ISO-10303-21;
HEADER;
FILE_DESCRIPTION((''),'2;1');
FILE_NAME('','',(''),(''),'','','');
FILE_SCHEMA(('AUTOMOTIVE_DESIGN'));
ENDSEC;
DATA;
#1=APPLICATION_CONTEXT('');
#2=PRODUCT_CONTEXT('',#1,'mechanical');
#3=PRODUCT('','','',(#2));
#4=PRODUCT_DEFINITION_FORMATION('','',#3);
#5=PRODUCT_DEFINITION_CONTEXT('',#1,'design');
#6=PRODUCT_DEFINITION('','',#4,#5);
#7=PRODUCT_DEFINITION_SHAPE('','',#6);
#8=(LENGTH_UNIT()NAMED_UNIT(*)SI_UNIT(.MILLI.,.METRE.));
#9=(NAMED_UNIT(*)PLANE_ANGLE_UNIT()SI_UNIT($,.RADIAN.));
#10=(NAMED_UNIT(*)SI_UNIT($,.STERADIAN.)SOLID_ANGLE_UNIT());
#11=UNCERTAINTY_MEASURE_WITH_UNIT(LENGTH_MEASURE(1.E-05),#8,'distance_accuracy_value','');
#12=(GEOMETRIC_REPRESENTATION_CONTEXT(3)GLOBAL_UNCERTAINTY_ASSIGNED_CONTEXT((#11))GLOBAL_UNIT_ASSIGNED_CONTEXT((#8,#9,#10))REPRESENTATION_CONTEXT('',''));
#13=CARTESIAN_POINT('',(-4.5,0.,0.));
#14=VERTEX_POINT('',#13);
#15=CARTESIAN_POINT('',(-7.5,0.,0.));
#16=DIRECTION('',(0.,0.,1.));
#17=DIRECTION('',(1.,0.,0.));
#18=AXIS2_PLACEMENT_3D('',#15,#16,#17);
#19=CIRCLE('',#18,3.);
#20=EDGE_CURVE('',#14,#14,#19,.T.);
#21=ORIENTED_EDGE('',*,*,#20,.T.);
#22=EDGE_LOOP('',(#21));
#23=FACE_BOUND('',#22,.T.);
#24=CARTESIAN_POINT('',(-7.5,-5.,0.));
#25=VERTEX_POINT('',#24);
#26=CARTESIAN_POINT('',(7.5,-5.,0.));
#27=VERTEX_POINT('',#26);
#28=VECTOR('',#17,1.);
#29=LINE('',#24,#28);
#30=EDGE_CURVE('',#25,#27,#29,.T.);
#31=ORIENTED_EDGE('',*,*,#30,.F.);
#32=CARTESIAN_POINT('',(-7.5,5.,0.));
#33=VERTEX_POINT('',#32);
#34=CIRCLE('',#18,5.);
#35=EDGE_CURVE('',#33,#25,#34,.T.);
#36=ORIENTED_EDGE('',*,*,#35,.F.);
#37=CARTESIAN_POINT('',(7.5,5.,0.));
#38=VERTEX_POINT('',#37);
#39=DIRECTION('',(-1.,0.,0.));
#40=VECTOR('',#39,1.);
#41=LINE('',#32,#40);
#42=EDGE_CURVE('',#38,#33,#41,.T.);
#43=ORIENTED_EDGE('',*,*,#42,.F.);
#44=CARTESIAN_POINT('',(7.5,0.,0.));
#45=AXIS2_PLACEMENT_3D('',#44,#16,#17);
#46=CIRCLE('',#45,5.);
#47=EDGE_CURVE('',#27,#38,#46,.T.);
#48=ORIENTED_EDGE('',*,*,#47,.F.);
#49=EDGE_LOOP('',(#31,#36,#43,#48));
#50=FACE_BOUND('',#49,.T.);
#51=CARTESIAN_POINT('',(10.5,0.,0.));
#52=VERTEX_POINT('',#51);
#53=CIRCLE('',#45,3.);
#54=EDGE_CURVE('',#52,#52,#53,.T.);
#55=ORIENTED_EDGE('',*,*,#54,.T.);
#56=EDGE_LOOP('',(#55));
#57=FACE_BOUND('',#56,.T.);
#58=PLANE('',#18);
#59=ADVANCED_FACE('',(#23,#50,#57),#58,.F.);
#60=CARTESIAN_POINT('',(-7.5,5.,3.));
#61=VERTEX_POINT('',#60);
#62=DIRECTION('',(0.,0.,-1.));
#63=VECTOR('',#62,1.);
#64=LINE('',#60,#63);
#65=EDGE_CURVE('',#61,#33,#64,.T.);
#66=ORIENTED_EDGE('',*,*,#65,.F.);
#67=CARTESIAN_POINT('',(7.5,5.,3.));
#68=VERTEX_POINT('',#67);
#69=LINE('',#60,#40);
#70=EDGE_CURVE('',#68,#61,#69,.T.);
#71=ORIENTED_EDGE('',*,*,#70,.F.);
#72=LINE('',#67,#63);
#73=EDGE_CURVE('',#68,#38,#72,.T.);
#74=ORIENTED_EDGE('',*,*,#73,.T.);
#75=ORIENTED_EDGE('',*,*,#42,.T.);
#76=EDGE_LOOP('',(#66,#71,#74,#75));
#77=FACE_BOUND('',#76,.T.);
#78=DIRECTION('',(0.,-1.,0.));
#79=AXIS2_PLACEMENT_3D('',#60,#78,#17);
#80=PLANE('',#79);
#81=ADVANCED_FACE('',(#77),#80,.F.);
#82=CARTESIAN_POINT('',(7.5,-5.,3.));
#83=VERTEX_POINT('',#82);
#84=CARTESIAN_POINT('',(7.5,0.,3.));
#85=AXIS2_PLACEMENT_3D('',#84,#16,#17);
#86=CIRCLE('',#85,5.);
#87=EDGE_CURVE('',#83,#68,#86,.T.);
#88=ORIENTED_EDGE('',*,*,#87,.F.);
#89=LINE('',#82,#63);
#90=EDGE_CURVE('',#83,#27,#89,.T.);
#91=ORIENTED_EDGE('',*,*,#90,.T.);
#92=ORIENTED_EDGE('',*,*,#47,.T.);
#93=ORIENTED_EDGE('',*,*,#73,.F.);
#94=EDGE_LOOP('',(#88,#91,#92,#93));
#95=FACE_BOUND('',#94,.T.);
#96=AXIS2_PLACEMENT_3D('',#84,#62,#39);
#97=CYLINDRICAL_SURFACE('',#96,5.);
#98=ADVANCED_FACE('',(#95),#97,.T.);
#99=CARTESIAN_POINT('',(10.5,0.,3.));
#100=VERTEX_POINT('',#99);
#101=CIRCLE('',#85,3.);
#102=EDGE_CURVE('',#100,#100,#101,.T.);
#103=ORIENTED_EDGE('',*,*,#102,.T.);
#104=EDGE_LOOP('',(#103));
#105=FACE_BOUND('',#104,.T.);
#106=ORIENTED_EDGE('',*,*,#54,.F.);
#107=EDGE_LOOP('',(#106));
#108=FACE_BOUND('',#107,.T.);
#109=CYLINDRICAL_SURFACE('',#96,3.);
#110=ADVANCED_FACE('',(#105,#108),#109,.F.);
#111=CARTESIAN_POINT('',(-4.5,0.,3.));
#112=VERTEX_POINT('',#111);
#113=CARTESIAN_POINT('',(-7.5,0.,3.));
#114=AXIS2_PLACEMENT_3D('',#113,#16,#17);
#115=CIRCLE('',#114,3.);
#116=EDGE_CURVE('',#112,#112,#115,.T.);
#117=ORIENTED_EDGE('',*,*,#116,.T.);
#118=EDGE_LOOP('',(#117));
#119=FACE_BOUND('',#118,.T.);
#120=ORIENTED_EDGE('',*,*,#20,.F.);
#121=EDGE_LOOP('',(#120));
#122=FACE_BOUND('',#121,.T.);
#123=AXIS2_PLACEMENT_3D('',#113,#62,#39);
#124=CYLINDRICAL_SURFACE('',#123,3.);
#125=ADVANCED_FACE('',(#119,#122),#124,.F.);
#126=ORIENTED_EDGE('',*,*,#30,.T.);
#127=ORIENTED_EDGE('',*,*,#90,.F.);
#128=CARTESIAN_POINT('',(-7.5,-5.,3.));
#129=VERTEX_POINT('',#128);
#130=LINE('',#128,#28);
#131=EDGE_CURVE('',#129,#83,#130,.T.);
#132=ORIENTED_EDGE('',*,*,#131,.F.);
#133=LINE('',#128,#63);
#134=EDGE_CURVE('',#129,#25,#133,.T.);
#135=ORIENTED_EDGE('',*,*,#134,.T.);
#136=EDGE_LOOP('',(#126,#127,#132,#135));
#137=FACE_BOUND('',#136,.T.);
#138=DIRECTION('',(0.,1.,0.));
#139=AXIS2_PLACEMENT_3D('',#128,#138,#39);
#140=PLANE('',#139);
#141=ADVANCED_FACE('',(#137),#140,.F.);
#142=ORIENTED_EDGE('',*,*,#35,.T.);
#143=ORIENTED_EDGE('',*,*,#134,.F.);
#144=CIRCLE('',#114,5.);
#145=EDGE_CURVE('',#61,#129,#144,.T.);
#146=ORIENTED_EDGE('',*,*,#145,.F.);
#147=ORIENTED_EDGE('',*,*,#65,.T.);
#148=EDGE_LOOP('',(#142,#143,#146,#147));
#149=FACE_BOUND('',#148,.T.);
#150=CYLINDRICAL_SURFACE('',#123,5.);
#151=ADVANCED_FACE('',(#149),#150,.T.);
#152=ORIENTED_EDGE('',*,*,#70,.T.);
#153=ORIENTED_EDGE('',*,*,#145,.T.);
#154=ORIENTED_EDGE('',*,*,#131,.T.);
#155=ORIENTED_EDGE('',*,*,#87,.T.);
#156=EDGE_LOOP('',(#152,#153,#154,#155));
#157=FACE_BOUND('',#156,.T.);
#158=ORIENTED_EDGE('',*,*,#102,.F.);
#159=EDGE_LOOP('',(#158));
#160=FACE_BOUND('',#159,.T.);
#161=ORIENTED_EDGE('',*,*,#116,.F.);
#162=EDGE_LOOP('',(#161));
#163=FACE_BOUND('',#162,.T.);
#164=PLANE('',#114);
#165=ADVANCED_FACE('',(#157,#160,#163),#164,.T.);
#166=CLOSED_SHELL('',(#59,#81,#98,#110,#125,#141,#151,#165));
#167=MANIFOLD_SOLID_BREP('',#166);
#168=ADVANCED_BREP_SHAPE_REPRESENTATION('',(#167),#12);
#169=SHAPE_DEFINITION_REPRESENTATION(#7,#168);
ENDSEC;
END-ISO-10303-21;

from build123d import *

# Parameters (mm, degrees)
SKETCH_1_R      = 3
EXTRUDE_1_DEPTH = 3


with BuildPart() as part:
    # ｽｹｯﾁ1 → ﾎﾞｽ - 押し出し1 (new body)
    with BuildSketch(Plane.XY):
        with BuildLine():
            Line((-7.5, 5), (7.5, 5))
            ThreePointArc((7.5, 5), (12.5, 0), (7.5, -5))
            Line((7.5, -5), (-7.5, -5))
            ThreePointArc((-7.5, -5), (-12.5, 0), (-7.5, 5))
        make_face()
        with Locations((-7.5, 0)):
            Circle(SKETCH_1_R, mode=Mode.SUBTRACT)
        with Locations((7.5, 0)):
            Circle(SKETCH_1_R, mode=Mode.SUBTRACT)
    extrude(amount=EXTRUDE_1_DEPTH)


solid = part.part
